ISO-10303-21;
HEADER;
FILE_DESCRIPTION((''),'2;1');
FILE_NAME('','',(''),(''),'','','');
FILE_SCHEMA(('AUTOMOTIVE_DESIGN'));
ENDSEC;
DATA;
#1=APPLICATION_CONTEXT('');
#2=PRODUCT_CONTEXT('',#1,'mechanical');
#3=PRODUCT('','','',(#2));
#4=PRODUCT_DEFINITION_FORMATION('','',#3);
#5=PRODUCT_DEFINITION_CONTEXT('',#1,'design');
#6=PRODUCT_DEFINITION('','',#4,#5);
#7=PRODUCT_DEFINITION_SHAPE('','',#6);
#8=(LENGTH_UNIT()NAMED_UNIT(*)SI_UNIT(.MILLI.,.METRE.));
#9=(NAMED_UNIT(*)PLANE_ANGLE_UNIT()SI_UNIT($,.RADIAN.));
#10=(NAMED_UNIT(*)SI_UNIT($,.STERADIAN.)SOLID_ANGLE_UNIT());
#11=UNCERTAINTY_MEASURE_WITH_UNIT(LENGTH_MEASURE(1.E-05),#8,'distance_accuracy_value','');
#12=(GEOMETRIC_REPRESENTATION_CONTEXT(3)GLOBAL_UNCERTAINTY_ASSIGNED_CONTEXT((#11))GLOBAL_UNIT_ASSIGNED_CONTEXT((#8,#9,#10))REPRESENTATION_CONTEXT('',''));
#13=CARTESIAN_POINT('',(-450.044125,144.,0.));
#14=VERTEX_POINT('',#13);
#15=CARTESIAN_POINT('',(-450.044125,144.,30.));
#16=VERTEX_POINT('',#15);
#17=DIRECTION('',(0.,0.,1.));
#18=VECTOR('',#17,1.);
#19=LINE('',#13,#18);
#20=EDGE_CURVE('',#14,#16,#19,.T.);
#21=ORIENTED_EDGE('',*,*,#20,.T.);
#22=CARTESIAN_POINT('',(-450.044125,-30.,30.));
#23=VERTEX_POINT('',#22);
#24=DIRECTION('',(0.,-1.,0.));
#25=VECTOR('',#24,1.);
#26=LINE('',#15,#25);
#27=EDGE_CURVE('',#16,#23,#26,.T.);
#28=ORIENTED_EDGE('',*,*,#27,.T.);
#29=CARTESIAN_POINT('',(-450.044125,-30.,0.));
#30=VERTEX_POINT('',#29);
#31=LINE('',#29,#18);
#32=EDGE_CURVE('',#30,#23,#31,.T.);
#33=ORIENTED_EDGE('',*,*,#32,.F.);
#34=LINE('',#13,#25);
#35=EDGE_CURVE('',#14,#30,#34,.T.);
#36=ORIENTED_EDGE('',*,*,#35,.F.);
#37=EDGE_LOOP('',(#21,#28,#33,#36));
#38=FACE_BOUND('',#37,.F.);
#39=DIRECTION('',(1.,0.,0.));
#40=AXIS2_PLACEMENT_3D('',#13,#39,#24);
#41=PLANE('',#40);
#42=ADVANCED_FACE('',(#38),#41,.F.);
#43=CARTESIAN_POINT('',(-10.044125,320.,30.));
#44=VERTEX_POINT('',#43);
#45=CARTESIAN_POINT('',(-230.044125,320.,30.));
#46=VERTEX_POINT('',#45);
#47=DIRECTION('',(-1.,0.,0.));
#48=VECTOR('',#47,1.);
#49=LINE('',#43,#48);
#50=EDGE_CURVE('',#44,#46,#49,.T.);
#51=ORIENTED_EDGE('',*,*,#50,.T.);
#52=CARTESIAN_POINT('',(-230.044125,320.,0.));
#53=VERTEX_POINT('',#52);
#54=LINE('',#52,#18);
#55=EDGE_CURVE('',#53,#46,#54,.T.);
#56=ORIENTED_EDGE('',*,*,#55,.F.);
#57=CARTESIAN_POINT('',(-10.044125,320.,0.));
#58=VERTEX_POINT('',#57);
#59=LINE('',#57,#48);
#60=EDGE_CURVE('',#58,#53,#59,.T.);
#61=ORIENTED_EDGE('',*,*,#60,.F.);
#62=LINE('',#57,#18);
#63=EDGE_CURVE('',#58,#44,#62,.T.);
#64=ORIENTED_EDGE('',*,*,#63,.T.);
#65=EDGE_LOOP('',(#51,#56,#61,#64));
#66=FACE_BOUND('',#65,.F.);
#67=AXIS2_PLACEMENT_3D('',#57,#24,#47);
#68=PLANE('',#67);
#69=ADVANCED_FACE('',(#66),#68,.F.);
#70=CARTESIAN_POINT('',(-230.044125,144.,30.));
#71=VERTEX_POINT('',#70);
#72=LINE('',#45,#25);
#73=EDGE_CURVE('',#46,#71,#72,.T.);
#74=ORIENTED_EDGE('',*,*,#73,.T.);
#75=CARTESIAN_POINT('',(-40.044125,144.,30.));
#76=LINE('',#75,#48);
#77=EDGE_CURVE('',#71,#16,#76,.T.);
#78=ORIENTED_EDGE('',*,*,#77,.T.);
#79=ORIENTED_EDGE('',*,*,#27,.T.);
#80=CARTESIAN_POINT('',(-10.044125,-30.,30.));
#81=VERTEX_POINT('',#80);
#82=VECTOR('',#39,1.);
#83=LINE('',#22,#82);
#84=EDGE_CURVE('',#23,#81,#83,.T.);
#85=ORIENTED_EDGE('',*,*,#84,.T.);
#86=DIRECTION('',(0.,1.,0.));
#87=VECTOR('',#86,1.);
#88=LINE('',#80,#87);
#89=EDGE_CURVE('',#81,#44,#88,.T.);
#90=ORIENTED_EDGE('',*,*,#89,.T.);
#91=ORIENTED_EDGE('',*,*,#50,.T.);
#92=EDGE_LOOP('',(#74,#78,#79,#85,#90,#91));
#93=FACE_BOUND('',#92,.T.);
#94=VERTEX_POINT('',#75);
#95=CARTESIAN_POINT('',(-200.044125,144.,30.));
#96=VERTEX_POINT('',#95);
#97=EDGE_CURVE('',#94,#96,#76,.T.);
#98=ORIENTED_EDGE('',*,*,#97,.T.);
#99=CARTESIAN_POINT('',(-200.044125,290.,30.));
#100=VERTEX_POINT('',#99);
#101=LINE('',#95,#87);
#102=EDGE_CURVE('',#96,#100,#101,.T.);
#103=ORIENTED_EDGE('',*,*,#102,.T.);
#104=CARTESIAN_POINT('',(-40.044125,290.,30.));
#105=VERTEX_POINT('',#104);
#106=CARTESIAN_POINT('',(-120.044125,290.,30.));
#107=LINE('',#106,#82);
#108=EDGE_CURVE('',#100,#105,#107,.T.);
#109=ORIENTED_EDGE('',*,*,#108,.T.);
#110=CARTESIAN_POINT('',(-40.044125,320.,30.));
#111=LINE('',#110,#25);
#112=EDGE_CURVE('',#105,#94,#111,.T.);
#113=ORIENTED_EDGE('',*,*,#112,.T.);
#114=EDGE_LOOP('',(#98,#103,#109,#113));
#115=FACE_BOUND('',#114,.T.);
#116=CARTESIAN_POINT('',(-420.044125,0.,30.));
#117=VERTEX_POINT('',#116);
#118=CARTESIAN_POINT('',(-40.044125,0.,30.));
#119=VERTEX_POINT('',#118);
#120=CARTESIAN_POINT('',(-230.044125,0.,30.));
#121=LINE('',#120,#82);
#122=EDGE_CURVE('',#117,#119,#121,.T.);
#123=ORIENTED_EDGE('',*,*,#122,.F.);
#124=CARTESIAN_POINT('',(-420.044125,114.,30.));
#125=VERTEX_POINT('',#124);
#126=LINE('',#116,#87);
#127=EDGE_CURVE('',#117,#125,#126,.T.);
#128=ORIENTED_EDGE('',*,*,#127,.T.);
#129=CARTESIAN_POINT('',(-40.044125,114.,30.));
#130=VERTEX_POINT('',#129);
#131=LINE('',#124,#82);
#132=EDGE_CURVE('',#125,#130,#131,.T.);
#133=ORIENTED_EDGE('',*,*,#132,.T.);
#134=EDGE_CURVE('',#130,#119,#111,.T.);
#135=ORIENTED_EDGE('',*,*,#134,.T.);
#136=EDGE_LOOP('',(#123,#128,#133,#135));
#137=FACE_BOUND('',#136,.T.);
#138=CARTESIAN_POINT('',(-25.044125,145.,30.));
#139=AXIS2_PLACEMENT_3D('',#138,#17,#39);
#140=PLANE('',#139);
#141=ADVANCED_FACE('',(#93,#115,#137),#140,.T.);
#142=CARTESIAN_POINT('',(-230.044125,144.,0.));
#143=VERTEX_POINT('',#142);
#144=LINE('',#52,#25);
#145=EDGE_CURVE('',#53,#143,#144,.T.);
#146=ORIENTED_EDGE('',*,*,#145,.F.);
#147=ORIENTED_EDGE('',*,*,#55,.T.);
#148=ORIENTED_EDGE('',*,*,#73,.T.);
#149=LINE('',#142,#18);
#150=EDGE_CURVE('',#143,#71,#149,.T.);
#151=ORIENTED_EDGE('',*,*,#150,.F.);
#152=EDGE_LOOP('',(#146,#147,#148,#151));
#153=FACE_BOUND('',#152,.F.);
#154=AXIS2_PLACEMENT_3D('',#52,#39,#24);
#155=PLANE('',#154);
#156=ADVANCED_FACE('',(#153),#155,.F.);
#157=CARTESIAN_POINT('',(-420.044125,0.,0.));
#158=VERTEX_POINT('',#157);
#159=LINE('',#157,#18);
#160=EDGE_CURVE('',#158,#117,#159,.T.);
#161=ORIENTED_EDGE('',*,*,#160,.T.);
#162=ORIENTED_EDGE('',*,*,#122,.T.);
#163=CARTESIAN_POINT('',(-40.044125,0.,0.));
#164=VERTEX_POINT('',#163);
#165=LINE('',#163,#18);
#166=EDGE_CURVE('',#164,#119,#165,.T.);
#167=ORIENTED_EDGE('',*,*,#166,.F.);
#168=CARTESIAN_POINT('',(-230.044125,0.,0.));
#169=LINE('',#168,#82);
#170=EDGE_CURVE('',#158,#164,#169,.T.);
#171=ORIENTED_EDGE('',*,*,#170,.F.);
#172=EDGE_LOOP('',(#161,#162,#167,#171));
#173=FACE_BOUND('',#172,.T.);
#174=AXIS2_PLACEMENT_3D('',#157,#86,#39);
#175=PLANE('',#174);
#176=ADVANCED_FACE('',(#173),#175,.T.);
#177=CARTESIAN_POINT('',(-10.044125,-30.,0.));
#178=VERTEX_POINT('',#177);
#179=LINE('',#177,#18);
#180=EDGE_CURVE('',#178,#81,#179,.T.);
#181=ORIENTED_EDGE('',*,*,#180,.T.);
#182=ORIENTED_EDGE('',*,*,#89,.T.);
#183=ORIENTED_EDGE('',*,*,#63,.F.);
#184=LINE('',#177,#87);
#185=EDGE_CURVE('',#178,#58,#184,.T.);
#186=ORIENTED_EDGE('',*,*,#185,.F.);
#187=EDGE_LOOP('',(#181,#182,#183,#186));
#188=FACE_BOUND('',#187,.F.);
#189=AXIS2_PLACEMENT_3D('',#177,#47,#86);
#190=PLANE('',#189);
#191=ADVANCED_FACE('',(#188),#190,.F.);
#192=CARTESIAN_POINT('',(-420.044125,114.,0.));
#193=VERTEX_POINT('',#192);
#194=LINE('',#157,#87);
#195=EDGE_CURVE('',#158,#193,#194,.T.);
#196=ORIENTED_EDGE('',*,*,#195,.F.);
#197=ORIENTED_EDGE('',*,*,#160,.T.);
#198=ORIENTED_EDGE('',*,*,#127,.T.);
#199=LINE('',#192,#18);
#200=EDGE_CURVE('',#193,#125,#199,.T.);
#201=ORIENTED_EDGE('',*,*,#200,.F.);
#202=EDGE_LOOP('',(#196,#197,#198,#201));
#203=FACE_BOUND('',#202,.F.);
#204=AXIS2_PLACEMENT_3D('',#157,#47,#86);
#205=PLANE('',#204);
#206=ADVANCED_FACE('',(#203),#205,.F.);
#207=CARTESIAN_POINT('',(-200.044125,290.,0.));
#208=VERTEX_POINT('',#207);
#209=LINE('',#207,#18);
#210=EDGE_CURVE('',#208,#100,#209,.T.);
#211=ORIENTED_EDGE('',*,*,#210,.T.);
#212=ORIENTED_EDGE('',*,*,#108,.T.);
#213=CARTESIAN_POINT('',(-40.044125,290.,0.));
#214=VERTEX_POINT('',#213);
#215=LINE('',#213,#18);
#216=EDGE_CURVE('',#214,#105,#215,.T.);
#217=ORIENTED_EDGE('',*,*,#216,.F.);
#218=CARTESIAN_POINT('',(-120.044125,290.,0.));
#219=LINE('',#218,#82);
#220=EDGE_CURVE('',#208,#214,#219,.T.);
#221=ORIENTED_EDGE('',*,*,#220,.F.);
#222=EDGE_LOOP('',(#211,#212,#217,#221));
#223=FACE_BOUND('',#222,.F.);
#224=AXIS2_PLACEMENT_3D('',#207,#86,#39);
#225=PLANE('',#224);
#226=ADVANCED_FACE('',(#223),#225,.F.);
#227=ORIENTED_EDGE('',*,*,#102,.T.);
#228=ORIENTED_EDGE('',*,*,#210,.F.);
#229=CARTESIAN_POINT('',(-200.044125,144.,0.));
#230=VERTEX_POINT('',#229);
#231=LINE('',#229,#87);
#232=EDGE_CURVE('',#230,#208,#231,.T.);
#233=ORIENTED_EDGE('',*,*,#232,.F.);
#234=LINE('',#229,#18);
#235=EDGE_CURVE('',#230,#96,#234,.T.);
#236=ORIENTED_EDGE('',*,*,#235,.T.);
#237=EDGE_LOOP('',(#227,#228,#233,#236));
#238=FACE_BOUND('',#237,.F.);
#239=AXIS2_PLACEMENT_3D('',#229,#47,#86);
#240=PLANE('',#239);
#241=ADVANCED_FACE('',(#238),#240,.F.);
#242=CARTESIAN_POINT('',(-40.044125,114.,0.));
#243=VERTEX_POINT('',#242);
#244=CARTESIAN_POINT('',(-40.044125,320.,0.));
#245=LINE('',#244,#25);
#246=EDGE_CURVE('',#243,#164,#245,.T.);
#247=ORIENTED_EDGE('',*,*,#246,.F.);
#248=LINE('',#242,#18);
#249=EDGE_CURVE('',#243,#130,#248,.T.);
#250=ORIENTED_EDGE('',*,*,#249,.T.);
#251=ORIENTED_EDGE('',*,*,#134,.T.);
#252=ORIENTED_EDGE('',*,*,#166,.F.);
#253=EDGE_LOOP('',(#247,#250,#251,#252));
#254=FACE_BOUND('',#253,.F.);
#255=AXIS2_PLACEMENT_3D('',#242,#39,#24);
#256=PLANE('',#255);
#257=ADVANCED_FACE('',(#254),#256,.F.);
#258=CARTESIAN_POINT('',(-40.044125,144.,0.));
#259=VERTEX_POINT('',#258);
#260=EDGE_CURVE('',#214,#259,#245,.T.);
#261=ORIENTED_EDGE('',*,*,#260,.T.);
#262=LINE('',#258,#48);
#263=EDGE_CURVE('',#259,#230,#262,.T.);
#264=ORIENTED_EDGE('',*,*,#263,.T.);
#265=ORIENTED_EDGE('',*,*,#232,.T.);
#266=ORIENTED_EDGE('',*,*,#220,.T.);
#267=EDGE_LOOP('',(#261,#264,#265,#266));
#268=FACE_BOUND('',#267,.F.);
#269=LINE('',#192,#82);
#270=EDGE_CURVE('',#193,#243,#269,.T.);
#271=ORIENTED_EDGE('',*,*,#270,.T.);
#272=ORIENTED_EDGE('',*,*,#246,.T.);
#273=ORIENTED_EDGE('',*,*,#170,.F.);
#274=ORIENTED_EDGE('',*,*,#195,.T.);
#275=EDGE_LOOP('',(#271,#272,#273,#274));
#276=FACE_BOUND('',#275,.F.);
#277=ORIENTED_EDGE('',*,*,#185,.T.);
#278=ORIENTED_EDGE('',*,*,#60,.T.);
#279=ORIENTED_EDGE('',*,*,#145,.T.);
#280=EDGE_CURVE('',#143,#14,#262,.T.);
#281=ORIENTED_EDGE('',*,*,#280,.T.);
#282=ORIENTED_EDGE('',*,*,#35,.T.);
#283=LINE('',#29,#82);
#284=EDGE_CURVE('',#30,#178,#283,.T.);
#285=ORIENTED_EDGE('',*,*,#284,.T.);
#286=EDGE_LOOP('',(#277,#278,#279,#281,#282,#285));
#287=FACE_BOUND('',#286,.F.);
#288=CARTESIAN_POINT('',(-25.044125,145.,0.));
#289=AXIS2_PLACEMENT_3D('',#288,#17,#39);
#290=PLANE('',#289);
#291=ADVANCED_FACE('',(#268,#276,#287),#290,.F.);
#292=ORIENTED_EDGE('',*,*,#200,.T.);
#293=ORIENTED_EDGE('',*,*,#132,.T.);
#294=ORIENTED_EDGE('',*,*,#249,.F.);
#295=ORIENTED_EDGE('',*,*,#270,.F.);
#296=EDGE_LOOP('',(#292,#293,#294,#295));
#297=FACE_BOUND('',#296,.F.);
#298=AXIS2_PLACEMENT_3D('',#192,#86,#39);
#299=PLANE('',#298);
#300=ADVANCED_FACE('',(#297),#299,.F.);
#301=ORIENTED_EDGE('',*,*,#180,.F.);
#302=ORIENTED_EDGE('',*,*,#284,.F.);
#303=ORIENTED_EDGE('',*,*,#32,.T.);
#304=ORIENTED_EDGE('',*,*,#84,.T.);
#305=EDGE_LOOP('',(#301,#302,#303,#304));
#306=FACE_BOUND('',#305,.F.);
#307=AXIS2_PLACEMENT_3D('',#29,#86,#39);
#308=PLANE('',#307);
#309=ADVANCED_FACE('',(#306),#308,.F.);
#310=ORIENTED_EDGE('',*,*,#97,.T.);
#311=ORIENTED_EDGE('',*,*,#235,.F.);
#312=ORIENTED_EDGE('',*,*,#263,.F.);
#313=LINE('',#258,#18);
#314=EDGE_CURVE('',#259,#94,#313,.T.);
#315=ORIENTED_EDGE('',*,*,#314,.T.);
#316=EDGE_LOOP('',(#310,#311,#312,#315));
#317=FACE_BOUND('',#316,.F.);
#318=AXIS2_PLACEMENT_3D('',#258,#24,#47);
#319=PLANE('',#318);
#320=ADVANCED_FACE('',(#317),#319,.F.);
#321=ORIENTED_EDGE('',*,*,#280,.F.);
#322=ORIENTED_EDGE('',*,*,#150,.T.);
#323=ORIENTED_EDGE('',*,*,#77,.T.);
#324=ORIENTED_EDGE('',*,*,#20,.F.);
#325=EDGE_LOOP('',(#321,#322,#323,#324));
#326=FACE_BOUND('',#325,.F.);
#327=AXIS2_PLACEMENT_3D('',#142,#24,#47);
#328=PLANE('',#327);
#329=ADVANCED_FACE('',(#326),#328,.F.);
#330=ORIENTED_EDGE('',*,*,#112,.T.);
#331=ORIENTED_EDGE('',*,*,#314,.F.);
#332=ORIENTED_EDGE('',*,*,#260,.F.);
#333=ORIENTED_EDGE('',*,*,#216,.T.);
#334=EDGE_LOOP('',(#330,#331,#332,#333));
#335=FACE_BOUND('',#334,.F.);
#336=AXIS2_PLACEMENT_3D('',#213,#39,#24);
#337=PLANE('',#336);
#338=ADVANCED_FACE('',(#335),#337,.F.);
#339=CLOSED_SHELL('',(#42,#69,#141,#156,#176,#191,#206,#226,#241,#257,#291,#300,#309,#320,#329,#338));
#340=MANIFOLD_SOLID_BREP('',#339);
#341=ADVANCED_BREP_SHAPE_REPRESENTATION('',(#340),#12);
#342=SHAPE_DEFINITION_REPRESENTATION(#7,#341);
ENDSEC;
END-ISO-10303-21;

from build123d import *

# Parameters (mm, degrees)
F0_W     = 380
F0_H     = 30
F0_W_2   = 160
F1_DEPTH = 30


with BuildPart() as f1:
    # F0 (on Top) → F1 (new body)
    with BuildSketch(Plane.XY):
        Polygon((-40.044125, 0), (-40.044125, -30), (-10.044125, -30), (-10.044125, 320), (-40.044125, 320), (-40.044125, 290), (-40.044125, 144), (-40.044125, 114), align=None)
        with Locations((-230.044125, -15)):
            Rectangle(F0_W, F0_H)
        Polygon((-450.044125, -30), (-420.044125, -30), (-420.044125, 0), (-420.044125, 114), (-420.044125, 144), (-450.044125, 144), align=None)
        Polygon((-420.044125, 114), (-40.044125, 114), (-40.044125, 144), (-200.044125, 144), (-230.044125, 144), (-420.044125, 144), align=None)
        with Locations((-120.044125, 305)):
            Rectangle(F0_W_2, F0_H)
        Polygon((-200.044125, 290), (-200.044125, 320), (-230.044125, 320), (-230.044125, 144), (-200.044125, 144), align=None)
    extrude(amount=F1_DEPTH)


solid = f1.part
